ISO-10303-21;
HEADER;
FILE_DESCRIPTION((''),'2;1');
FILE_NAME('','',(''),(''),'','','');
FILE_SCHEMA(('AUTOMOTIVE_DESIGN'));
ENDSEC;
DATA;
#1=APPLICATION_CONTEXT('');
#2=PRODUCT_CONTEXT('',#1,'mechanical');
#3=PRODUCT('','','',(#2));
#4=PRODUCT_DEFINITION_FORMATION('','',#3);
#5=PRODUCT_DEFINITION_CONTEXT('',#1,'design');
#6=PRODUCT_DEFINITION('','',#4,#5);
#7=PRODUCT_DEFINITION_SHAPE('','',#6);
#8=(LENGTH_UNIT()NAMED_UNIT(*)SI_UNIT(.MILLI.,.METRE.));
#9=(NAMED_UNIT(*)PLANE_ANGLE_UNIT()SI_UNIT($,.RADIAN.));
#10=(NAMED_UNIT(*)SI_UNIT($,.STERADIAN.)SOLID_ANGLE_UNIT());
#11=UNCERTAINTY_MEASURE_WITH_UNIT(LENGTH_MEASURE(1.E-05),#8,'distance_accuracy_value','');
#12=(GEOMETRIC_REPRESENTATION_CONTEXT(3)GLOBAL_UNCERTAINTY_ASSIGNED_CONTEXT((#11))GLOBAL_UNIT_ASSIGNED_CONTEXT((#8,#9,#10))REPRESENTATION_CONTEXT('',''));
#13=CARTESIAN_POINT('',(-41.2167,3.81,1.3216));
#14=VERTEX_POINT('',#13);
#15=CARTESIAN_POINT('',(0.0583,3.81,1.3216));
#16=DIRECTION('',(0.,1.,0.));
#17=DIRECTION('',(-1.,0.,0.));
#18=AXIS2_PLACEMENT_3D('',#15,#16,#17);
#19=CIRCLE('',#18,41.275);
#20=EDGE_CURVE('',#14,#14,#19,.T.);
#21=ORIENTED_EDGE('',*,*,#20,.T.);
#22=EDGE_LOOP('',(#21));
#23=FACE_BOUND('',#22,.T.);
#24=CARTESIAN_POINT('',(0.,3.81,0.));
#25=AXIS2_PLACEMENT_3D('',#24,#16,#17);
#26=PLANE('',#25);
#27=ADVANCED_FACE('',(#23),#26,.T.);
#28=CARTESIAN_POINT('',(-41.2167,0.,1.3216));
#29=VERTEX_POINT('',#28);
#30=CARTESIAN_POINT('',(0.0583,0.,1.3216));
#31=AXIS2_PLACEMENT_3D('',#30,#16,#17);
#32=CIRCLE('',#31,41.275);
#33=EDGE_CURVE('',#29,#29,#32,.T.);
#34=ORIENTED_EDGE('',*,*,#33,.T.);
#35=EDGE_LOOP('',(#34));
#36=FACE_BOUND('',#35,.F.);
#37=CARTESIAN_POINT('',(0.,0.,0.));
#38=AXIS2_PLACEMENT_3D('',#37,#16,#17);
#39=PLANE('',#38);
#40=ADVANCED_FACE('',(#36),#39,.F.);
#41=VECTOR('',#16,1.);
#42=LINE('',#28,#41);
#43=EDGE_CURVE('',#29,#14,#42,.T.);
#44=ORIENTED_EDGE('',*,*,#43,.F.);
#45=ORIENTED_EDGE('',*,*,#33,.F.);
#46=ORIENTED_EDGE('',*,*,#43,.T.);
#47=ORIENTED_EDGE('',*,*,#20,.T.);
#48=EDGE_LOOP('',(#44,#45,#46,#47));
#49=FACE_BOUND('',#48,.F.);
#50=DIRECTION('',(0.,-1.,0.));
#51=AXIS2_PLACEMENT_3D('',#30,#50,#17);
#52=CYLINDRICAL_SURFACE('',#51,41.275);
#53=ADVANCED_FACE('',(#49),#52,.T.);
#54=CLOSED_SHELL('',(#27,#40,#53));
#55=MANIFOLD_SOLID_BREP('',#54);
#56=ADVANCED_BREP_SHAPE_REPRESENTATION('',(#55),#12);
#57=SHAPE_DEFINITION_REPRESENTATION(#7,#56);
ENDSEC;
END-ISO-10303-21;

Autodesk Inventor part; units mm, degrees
ref_plane "YZ Plane" through (0, 0, 0) normal (1, 0, 0) x (0, 1, 0)
ref_plane "XZ Plane" through (0, 0, 0) normal (0, 1, 0) x (-1, 0, 0)
ref_plane "XY Plane" through (0, 0, 0) normal (0, 0, 1) x (1, 0, 0)
sketch "Sketch1" plane through (0, 0, 0) normal (0, 1, 0) x (-1, 0, 0)
  circle A0 centre (-0.0583, 1.3216) radius 41.275
  dimension "d0" = 82.55
  dimension "d0" = 82.55
extrude "Extrusion1" add sketch "Sketch1" along normal blind 3.81
properties part number "Support"
